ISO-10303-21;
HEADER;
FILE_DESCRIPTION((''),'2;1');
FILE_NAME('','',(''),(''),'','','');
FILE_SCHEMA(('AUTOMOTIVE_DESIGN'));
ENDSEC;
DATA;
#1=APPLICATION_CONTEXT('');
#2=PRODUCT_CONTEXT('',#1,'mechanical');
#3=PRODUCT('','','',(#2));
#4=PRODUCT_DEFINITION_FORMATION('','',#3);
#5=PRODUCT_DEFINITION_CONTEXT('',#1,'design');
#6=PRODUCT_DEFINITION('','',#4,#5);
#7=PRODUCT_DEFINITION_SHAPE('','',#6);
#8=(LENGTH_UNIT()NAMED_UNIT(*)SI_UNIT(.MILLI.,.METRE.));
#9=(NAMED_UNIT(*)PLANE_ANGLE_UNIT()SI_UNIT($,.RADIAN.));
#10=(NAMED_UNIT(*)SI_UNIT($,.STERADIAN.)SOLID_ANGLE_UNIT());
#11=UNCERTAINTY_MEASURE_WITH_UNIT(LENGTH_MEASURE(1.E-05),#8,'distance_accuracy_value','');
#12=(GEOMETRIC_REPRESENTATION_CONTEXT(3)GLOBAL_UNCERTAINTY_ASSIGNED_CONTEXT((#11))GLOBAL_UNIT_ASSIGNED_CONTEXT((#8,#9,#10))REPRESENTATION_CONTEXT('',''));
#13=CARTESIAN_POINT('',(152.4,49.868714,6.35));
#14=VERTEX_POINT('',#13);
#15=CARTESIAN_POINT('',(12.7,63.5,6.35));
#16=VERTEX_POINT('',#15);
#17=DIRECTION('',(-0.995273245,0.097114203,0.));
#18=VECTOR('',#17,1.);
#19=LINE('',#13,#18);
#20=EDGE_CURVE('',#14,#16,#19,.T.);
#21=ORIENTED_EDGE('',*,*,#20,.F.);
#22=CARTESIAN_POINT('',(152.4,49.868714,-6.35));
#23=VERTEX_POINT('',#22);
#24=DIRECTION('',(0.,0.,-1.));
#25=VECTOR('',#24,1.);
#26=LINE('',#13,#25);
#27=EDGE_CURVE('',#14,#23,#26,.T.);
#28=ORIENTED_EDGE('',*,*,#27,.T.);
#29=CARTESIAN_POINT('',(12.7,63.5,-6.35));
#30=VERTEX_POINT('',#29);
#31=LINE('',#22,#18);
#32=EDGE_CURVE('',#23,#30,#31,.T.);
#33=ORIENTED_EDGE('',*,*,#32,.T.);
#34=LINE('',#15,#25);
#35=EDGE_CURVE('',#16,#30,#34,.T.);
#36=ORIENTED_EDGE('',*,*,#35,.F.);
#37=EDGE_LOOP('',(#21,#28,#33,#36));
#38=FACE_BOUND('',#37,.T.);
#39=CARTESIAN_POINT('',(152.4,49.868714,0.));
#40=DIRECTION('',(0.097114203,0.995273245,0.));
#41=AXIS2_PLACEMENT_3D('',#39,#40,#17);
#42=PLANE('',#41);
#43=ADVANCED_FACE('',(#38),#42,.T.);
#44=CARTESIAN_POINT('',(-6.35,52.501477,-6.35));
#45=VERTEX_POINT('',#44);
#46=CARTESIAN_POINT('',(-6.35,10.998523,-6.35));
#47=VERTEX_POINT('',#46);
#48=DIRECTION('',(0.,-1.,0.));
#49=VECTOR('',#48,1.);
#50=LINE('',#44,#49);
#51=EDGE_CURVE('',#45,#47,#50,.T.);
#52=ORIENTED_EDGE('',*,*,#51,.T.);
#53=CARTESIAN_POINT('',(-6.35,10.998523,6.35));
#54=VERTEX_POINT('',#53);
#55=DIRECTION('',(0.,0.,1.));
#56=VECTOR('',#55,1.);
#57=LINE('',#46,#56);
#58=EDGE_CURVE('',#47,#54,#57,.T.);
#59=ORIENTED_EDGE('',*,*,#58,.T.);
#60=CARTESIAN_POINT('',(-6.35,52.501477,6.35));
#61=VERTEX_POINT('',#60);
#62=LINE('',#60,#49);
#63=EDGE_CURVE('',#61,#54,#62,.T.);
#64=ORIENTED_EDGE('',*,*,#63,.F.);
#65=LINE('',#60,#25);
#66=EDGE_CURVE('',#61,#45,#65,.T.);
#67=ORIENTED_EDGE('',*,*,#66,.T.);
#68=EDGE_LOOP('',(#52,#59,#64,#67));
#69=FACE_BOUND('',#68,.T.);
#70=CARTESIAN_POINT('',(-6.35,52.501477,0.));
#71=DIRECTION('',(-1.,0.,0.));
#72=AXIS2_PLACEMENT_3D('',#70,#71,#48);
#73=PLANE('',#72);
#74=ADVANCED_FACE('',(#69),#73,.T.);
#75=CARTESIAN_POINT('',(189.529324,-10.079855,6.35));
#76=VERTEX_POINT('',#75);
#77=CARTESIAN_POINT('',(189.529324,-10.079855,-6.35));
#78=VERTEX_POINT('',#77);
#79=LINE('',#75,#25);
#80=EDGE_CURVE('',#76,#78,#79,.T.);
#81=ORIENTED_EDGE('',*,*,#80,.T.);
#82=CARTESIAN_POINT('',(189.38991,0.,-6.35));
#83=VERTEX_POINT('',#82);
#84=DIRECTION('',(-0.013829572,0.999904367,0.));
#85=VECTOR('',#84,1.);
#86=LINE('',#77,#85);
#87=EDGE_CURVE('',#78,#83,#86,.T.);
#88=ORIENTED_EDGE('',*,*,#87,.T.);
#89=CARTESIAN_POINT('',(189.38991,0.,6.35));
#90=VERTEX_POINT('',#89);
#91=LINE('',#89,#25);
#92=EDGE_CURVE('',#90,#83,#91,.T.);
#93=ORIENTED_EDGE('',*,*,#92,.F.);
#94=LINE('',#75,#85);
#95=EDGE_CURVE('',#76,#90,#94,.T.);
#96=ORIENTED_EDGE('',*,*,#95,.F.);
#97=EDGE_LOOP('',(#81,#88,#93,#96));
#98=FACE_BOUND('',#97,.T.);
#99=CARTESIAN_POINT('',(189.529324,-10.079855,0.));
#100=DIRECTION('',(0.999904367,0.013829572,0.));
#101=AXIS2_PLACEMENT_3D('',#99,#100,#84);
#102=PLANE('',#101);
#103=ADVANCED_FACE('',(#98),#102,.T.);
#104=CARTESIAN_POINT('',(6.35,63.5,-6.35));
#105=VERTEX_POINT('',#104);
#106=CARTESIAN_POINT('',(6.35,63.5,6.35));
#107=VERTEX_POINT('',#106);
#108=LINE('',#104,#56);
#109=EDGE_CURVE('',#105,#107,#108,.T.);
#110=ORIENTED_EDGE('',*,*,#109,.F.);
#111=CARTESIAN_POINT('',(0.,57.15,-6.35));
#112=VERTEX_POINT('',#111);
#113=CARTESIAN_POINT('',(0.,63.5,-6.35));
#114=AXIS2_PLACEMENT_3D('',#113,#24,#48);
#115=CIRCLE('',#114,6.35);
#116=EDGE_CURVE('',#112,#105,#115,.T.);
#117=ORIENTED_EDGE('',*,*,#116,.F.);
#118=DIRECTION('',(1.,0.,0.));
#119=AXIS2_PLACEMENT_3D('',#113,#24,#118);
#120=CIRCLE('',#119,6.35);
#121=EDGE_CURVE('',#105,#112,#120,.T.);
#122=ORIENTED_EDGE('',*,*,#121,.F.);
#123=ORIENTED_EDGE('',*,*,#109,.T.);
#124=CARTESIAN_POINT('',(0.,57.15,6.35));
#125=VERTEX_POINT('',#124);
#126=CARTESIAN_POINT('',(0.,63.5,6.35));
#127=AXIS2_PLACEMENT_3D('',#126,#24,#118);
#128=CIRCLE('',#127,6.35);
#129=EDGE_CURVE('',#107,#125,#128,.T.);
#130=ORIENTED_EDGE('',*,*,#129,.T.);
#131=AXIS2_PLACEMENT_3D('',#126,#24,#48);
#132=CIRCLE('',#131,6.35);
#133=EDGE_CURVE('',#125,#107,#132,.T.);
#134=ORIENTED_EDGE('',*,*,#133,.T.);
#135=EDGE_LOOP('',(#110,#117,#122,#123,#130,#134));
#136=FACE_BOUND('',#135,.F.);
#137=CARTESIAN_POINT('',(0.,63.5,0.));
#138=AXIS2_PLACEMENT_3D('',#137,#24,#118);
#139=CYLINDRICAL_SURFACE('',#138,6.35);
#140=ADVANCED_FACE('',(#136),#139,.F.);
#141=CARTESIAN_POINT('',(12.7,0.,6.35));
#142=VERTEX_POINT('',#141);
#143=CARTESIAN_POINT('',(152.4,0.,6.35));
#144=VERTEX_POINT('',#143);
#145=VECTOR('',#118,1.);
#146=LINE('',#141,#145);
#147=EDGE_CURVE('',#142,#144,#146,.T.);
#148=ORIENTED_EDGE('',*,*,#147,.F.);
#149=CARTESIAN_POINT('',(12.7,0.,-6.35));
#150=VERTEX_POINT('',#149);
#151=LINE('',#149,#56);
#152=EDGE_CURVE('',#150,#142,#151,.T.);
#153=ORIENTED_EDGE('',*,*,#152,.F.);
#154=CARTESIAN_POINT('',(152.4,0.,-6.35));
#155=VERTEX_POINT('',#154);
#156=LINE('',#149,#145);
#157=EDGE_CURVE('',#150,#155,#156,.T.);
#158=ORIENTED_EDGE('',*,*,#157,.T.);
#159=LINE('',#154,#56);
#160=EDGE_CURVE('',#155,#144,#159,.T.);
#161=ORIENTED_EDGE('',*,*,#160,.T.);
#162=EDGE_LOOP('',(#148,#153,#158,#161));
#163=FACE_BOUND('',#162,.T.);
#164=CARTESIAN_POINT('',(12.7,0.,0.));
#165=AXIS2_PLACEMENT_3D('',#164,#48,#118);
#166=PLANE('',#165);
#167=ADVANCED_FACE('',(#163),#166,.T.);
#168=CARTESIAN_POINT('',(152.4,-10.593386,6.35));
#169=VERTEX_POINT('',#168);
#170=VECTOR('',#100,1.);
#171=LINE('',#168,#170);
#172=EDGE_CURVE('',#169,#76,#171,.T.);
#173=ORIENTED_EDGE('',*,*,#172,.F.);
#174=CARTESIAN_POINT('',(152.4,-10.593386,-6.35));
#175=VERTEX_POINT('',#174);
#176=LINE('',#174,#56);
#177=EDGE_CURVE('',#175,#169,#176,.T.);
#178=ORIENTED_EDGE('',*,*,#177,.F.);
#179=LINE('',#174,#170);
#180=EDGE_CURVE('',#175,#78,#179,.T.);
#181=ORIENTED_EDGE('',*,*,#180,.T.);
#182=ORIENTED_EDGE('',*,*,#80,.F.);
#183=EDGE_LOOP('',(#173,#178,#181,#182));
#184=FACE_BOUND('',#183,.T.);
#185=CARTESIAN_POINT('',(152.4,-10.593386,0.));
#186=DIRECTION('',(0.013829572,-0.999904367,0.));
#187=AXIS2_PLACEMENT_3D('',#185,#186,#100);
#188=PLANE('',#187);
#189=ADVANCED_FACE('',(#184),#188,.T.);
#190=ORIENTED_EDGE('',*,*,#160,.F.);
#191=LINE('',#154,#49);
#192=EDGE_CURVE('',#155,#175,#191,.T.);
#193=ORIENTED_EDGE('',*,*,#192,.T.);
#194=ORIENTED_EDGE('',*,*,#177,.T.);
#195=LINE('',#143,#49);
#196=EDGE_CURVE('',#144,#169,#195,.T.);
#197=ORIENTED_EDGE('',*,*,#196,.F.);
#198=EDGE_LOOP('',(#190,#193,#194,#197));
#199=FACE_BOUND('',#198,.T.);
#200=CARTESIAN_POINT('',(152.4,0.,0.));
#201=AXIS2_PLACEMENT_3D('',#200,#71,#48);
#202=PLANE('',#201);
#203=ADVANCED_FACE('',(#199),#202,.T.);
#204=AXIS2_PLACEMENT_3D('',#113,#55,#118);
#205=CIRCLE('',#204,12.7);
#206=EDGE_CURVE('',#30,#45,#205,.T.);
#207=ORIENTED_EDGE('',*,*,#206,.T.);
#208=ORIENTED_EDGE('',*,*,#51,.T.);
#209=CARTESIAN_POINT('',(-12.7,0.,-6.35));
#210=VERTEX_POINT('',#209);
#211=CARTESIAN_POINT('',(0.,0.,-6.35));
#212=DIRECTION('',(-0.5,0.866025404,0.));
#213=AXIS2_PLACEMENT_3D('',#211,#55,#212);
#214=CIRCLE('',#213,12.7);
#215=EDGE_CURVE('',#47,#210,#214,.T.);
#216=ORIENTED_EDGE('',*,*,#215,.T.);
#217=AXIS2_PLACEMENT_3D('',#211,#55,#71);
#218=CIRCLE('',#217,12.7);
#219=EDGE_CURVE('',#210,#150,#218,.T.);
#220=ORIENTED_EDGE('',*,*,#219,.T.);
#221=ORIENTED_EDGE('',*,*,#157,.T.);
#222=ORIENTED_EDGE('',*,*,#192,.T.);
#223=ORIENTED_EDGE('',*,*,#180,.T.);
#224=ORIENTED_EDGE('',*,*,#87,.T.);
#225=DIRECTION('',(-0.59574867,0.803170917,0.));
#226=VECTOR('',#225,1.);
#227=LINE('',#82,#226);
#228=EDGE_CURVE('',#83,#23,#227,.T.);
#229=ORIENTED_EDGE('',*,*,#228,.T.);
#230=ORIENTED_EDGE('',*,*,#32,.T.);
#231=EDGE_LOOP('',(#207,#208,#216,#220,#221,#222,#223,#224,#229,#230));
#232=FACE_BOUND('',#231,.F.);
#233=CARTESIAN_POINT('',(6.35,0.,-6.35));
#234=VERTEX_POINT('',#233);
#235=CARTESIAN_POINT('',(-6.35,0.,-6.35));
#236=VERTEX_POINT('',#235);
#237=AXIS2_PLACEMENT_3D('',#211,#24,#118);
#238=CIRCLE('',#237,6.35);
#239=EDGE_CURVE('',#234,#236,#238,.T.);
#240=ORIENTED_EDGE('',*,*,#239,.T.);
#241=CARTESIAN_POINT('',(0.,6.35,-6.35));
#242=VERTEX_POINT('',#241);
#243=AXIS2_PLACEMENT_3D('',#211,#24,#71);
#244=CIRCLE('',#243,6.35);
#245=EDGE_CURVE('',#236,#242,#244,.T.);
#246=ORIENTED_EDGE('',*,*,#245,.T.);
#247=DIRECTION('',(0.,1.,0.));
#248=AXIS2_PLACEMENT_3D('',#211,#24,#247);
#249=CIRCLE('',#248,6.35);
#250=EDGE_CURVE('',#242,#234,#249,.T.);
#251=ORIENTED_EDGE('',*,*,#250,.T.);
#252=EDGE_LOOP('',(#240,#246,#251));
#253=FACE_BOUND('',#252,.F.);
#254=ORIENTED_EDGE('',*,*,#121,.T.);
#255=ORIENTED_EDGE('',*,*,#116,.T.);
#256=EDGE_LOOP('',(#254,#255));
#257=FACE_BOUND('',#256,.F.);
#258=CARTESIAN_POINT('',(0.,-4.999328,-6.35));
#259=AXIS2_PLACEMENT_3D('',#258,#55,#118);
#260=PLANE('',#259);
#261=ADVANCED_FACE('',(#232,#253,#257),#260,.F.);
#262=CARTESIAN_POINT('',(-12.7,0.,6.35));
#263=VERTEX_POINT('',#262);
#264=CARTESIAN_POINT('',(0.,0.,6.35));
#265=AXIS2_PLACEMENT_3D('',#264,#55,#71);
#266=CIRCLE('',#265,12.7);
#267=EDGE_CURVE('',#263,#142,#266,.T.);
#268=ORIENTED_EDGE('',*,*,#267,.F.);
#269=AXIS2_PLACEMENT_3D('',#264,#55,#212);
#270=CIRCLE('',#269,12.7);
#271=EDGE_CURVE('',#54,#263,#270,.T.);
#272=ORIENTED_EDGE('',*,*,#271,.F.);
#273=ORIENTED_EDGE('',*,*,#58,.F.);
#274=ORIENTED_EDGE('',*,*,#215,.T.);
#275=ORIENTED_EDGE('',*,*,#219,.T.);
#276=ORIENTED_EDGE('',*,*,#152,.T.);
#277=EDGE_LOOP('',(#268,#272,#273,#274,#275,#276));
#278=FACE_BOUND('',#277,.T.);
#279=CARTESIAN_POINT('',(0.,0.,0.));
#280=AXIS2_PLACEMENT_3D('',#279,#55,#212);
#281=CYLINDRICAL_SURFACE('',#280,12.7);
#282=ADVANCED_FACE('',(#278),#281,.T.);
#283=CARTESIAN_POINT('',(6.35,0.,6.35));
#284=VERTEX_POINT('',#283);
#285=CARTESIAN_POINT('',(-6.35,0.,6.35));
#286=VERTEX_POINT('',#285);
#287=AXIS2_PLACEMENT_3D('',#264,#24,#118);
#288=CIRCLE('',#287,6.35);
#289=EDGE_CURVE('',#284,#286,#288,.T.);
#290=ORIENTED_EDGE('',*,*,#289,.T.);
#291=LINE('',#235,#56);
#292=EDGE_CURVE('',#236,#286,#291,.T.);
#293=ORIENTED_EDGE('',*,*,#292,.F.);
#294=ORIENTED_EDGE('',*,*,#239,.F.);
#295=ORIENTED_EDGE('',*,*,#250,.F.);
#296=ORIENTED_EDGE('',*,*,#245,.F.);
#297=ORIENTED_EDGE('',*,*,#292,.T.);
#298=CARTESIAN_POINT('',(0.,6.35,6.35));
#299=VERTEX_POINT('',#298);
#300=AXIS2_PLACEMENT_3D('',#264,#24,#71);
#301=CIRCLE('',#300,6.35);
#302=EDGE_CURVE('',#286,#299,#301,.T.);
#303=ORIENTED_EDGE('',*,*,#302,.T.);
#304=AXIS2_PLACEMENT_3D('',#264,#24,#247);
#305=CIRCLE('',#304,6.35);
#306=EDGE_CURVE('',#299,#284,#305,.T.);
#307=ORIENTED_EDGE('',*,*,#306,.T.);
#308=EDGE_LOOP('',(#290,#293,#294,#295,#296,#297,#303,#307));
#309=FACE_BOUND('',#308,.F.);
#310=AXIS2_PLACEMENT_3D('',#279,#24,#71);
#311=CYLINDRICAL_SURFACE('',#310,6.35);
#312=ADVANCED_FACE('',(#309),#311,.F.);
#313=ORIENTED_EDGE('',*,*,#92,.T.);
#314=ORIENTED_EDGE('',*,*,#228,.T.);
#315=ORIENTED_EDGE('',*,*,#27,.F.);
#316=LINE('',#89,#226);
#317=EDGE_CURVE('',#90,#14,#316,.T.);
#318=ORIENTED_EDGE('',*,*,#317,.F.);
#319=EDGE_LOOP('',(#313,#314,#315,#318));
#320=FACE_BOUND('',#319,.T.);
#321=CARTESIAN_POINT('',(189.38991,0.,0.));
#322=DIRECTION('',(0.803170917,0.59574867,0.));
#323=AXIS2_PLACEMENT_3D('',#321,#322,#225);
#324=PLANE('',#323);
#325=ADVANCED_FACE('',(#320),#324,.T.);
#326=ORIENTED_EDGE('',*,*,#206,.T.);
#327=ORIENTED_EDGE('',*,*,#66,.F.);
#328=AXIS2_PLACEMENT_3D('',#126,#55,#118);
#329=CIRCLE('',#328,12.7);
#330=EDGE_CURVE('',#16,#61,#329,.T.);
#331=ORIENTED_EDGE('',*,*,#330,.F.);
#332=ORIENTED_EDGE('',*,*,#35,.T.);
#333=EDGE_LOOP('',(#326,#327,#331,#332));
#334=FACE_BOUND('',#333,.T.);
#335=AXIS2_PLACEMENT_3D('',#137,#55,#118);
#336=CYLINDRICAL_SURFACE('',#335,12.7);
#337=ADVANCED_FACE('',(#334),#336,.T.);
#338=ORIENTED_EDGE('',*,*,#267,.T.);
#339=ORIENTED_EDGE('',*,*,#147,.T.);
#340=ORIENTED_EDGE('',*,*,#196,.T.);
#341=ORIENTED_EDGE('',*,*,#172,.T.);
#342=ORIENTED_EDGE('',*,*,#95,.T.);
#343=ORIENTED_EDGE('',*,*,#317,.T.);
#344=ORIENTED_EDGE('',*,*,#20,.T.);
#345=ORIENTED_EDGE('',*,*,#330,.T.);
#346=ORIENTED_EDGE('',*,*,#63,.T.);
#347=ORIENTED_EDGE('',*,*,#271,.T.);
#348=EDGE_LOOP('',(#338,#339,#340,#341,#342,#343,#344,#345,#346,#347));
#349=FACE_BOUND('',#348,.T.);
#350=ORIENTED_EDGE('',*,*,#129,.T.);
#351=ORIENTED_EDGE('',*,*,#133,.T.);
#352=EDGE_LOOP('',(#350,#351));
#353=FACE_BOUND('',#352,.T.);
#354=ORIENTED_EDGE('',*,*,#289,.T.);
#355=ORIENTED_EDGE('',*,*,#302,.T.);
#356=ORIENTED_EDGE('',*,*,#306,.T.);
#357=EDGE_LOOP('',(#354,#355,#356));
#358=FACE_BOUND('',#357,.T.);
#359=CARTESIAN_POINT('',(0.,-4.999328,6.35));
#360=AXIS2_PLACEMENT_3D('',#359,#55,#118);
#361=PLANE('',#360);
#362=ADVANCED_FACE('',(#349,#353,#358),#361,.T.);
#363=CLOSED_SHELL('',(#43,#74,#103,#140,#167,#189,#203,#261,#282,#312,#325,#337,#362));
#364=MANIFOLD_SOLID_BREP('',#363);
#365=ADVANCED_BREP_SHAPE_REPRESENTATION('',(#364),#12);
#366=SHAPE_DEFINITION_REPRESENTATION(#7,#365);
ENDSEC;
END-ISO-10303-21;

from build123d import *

# Parameters (mm, degrees)
F1_DEPTH = 6.35


with BuildPart() as f1:
    # F0 (on Top) → F1 (new body, symmetric)
    with BuildSketch(Plane.XY):
        with BuildLine():
            Line((-6.35, 0), (-12.7, 0))
            ThreePointArc((-12.7, 0), (0, -12.7), (12.7, 0))
            Line((12.7, 0), (6.35, 0))
            ThreePointArc((6.35, 0), (0, -6.35), (-6.35, 0))
        make_face()
        with BuildLine():
            ThreePointArc((-6.35, 10.9985226281), (-10.9985226281, 6.35), (-12.7, 0))
            Line((-12.7, 0), (-6.35, 0))
            Line((-6.35, 0), (-6.35, 10.9985226281))
        make_face()
        with BuildLine():
            Line((6.35, 0), (12.7, 0))
            ThreePointArc((12.7, 0), (8.9802561211, 8.9802561211), (0, 12.7))
            Line((0, 12.7), (0, 6.35))
            ThreePointArc((0, 6.35), (4.4901280605, 4.4901280605), (6.35, 0))
        make_face()
        with BuildLine():
            ThreePointArc((0, 12.7), (8.9802561211, 8.9802561211), (12.7, 0))
            Line((12.7, 0), (152.4, 0))
            Line((152.4, 0), (152.4, -10.593386367))
            Line((152.4, -10.593386367), (189.5293236064, -10.0798546172))
            Line((189.5293236064, -10.0798546172), (189.3899102028, 0))
            Line((189.3899102028, 0), (152.4, 49.8687140644))
            Line((152.4, 49.8687140644), (12.7, 63.5))
            ThreePointArc((12.7, 63.5), (8.9802561211, 54.5197438789), (0, 50.8))
            Line((0, 50.8), (0, 12.7))
        make_face()
        with BuildLine():
            Line((-6.35, 52.5014773719), (-6.35, 10.9985226281))
            ThreePointArc((-6.35, 10.9985226281), (-3.2870018728, 12.2672579939), (0, 12.7))
            Line((0, 12.7), (0, 50.8))
            ThreePointArc((0, 50.8), (-3.2870018728, 51.2327420061), (-6.35, 52.5014773719))
        make_face()
        with BuildLine():
            ThreePointArc((0, 12.7), (-3.2870018728, 12.2672579939), (-6.35, 10.9985226281))
            Line((-6.35, 10.9985226281), (-6.35, 0))
            ThreePointArc((-6.35, 0), (-4.4901280605, 4.4901280605), (0, 6.35))
            Line((0, 6.35), (0, 12.7))
        make_face()
        with BuildLine():
            ThreePointArc((12.7, 63.5), (-6.35, 74.4985226281), (-6.35, 52.5014773719))
            ThreePointArc((-6.35, 52.5014773719), (-3.2870018728, 51.2327420061), (0, 50.8))
            ThreePointArc((0, 50.8), (8.9802561211, 54.5197438789), (12.7, 63.5))
        make_face()
        with BuildLine():
            ThreePointArc((6.35, 63.5), (4.4901280605, 59.0098719395), (0, 57.15))
            ThreePointArc((0, 57.15), (-4.4901280605, 67.9901280605), (6.35, 63.5))
        make_face(mode=Mode.SUBTRACT)
    extrude(amount=F1_DEPTH, both=True)


solid = f1.part
